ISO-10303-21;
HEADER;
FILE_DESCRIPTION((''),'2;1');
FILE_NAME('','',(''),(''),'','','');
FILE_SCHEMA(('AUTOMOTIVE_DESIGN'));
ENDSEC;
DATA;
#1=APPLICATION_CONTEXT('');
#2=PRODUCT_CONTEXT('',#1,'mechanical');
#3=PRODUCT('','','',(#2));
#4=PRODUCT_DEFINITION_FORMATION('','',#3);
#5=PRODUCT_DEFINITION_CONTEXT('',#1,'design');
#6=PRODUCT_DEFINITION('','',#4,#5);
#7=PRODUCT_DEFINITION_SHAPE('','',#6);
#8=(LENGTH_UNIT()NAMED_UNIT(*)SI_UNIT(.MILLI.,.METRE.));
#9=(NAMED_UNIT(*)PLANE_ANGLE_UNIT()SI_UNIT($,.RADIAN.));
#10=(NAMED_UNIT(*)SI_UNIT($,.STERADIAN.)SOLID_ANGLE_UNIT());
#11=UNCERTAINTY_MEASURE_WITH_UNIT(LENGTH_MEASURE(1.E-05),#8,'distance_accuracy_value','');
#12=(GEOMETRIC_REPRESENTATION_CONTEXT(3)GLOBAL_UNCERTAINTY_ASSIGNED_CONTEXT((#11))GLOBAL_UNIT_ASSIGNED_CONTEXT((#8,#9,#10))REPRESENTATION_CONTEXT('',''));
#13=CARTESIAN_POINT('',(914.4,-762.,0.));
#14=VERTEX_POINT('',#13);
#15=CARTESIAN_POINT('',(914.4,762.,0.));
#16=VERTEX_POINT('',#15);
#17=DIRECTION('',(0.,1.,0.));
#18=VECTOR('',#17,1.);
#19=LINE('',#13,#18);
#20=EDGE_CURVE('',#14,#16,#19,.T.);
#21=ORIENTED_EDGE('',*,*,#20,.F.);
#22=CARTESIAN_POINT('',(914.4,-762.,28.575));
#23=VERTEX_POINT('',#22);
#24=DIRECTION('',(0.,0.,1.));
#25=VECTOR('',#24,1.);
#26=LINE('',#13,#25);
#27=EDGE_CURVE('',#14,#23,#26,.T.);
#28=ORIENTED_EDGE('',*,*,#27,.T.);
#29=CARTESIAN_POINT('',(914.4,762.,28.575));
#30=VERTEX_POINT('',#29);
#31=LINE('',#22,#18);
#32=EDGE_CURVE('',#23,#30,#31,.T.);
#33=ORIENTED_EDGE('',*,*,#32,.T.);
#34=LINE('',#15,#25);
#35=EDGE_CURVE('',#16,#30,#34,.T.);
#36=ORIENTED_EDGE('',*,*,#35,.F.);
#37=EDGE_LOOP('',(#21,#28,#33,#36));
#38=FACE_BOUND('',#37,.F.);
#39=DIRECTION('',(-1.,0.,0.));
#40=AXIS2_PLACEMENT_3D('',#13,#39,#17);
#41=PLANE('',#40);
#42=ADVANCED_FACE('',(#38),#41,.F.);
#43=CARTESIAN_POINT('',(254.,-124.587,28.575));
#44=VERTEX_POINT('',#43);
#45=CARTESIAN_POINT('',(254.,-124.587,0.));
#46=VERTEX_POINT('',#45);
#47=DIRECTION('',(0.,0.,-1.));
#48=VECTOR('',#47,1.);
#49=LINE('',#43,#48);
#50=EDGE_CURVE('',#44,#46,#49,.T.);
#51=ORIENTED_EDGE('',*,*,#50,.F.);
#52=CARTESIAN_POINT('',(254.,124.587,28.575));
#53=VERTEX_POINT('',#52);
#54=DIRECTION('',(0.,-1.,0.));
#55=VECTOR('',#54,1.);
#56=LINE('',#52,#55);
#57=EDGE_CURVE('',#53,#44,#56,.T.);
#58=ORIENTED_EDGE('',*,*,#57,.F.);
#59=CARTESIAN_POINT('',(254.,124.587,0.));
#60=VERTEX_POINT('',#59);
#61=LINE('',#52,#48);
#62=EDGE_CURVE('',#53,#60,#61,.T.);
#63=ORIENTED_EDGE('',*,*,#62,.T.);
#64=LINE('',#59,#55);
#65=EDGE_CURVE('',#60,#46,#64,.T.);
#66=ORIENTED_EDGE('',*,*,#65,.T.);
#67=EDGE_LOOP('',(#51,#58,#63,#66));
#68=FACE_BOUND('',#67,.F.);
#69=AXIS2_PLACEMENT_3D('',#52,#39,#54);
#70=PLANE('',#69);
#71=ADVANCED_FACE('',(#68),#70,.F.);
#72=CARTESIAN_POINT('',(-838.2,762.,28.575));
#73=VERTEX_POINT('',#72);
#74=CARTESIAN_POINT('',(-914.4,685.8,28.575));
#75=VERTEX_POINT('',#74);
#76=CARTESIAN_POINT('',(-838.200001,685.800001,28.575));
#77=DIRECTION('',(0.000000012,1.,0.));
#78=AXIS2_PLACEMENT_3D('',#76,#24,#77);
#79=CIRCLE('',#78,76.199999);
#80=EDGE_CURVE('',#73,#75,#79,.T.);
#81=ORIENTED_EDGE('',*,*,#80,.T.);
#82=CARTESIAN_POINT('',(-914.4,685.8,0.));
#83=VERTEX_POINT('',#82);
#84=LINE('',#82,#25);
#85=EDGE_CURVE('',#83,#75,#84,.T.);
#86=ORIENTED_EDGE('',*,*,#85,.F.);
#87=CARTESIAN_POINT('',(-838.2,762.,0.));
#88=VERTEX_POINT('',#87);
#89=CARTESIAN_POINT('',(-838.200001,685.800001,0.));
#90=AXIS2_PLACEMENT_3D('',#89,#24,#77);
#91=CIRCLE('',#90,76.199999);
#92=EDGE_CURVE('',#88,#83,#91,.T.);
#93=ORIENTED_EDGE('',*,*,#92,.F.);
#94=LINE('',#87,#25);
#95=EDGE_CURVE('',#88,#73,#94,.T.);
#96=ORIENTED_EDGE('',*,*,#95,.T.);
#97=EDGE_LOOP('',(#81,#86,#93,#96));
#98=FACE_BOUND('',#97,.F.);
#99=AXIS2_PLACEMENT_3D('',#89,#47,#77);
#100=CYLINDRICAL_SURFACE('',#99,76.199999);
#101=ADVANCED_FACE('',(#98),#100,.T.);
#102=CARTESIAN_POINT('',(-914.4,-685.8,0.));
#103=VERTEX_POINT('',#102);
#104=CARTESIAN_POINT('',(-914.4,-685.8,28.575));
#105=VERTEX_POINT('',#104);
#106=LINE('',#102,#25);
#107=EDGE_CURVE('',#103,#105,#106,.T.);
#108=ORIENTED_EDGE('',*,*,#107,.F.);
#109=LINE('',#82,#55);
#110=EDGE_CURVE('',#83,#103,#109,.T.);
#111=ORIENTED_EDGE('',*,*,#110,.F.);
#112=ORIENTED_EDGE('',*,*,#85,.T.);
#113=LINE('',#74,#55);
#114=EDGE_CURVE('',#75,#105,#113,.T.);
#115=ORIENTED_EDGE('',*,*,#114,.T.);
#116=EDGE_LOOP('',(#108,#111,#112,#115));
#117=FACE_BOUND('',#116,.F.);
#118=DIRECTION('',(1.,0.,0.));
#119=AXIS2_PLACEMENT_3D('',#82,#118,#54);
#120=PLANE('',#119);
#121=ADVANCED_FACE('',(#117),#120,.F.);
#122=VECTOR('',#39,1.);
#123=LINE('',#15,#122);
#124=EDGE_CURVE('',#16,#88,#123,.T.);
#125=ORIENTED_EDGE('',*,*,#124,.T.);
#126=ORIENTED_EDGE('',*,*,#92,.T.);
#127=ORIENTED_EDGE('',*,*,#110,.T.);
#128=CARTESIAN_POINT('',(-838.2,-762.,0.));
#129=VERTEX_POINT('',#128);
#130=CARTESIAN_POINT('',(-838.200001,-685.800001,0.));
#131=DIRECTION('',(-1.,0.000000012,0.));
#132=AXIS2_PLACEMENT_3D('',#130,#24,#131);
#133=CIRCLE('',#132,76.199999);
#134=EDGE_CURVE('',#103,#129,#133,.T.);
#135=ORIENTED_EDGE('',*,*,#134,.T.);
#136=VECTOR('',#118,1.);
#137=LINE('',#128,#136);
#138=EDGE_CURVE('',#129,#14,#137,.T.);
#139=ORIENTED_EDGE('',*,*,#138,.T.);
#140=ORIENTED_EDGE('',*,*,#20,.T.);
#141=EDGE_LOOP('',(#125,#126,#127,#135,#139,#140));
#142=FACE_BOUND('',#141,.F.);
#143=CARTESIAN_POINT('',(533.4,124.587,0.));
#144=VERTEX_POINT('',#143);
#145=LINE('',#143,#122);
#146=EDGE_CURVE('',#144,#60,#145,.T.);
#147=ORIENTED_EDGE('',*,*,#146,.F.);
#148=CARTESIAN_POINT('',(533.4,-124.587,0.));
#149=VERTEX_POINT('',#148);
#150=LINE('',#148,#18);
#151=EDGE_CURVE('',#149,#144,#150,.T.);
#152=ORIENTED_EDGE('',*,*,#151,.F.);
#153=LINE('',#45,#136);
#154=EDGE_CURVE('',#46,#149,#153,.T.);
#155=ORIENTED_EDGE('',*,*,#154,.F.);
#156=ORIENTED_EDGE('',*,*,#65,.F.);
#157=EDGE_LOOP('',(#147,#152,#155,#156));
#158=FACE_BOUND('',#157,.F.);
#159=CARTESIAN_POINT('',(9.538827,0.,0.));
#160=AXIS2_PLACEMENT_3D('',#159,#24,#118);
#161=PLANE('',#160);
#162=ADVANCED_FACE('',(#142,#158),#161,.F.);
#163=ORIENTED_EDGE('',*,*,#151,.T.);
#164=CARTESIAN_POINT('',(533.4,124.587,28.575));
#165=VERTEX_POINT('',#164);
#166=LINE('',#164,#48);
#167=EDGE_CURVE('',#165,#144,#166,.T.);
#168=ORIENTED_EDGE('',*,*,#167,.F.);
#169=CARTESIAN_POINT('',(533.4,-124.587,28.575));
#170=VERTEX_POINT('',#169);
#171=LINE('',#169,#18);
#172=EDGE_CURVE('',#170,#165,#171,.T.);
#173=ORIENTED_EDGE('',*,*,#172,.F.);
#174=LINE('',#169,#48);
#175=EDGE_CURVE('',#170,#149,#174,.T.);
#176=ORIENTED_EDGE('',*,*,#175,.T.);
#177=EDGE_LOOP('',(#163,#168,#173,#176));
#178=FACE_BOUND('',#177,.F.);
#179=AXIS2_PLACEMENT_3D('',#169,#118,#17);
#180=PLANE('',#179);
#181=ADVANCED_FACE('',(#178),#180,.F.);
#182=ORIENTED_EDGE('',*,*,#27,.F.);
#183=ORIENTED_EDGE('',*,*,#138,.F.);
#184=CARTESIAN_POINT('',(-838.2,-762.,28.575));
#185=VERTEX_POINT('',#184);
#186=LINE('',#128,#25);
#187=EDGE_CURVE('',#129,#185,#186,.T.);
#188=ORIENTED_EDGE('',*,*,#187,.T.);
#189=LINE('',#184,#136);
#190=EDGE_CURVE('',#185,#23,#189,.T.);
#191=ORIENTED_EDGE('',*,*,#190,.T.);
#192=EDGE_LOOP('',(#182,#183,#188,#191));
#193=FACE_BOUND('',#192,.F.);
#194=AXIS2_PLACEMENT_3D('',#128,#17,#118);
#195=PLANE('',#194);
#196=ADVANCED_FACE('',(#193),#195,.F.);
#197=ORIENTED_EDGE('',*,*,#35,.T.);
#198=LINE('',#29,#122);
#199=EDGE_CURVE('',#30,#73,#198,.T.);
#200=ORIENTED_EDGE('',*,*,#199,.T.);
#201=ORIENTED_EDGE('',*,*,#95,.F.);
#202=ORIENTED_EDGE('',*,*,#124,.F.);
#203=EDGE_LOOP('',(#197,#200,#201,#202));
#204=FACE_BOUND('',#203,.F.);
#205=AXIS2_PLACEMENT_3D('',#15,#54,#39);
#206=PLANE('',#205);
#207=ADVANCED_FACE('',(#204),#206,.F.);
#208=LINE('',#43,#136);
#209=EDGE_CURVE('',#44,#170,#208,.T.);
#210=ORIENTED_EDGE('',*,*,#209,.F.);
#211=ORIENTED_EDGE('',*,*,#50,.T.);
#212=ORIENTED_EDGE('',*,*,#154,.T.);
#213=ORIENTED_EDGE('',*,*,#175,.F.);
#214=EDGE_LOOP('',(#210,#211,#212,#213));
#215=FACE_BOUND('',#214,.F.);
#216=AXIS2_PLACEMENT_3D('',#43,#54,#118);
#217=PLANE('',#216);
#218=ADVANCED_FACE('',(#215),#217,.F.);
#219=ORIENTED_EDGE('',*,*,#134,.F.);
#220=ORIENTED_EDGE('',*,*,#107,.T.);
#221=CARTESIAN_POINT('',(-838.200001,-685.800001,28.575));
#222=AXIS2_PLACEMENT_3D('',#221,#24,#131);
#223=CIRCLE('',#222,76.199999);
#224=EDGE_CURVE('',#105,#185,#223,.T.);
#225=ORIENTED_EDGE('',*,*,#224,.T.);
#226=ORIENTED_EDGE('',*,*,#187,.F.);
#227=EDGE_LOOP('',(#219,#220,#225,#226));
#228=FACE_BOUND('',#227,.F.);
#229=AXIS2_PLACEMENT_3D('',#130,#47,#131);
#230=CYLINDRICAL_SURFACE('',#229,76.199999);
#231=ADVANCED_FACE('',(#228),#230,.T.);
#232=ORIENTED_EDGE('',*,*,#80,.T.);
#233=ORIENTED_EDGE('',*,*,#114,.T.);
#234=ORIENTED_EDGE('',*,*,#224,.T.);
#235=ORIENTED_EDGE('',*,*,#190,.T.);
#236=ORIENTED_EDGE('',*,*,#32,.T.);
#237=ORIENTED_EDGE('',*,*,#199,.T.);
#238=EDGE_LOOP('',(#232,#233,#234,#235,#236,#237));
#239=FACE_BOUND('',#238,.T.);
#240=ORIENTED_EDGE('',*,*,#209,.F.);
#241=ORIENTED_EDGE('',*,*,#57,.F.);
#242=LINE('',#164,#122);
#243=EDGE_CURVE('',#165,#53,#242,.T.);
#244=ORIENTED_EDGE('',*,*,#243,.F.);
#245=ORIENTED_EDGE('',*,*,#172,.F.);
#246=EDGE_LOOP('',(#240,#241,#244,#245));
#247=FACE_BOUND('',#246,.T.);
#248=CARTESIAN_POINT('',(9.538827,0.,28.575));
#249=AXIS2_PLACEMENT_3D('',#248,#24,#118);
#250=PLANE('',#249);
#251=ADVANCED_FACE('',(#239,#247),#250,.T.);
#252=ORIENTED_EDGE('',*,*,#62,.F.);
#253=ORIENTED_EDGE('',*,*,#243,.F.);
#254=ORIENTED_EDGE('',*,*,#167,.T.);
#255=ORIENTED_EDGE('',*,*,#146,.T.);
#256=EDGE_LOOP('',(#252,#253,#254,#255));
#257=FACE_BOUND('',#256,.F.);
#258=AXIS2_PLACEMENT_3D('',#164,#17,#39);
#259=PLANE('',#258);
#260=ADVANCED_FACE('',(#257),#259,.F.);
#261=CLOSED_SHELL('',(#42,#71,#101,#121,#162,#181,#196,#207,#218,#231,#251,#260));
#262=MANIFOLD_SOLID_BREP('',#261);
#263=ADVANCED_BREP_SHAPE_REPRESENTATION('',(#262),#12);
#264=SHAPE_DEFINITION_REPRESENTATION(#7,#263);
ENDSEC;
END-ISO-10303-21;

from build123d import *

# Parameters (mm, degrees)
F1_DEPTH = 28.575
F3_DEPTH = 28.575


with BuildPart() as f1:
    # F0 (on Top) → F1 (new body)
    with BuildSketch(Plane.XY):
        with BuildLine():
            Line((914.4, -762), (914.4, 762))
            Line((914.4, 762), (-838.2, 762))
            ThreePointArc((-838.2, 762), (-892.081537, 739.681537), (-914.4, 685.8))
            Line((-914.4, 685.8), (-914.4, -685.8))
            ThreePointArc((-914.4, -685.8), (-892.081537, -739.681537), (-838.2, -762))
            Line((-838.2, -762), (914.4, -762))
        make_face()
    extrude(amount=F1_DEPTH)

    # F2 (on face) → F3 (cut)
    with BuildSketch(Plane.XY.offset(28.575)):
        Polygon((533.4, -124.587), (533.4, 0), (533.4, 124.587), (254, 124.587), (254, -124.587), align=None)
    extrude(amount=-F3_DEPTH, mode=Mode.SUBTRACT)


solid = f1.part
